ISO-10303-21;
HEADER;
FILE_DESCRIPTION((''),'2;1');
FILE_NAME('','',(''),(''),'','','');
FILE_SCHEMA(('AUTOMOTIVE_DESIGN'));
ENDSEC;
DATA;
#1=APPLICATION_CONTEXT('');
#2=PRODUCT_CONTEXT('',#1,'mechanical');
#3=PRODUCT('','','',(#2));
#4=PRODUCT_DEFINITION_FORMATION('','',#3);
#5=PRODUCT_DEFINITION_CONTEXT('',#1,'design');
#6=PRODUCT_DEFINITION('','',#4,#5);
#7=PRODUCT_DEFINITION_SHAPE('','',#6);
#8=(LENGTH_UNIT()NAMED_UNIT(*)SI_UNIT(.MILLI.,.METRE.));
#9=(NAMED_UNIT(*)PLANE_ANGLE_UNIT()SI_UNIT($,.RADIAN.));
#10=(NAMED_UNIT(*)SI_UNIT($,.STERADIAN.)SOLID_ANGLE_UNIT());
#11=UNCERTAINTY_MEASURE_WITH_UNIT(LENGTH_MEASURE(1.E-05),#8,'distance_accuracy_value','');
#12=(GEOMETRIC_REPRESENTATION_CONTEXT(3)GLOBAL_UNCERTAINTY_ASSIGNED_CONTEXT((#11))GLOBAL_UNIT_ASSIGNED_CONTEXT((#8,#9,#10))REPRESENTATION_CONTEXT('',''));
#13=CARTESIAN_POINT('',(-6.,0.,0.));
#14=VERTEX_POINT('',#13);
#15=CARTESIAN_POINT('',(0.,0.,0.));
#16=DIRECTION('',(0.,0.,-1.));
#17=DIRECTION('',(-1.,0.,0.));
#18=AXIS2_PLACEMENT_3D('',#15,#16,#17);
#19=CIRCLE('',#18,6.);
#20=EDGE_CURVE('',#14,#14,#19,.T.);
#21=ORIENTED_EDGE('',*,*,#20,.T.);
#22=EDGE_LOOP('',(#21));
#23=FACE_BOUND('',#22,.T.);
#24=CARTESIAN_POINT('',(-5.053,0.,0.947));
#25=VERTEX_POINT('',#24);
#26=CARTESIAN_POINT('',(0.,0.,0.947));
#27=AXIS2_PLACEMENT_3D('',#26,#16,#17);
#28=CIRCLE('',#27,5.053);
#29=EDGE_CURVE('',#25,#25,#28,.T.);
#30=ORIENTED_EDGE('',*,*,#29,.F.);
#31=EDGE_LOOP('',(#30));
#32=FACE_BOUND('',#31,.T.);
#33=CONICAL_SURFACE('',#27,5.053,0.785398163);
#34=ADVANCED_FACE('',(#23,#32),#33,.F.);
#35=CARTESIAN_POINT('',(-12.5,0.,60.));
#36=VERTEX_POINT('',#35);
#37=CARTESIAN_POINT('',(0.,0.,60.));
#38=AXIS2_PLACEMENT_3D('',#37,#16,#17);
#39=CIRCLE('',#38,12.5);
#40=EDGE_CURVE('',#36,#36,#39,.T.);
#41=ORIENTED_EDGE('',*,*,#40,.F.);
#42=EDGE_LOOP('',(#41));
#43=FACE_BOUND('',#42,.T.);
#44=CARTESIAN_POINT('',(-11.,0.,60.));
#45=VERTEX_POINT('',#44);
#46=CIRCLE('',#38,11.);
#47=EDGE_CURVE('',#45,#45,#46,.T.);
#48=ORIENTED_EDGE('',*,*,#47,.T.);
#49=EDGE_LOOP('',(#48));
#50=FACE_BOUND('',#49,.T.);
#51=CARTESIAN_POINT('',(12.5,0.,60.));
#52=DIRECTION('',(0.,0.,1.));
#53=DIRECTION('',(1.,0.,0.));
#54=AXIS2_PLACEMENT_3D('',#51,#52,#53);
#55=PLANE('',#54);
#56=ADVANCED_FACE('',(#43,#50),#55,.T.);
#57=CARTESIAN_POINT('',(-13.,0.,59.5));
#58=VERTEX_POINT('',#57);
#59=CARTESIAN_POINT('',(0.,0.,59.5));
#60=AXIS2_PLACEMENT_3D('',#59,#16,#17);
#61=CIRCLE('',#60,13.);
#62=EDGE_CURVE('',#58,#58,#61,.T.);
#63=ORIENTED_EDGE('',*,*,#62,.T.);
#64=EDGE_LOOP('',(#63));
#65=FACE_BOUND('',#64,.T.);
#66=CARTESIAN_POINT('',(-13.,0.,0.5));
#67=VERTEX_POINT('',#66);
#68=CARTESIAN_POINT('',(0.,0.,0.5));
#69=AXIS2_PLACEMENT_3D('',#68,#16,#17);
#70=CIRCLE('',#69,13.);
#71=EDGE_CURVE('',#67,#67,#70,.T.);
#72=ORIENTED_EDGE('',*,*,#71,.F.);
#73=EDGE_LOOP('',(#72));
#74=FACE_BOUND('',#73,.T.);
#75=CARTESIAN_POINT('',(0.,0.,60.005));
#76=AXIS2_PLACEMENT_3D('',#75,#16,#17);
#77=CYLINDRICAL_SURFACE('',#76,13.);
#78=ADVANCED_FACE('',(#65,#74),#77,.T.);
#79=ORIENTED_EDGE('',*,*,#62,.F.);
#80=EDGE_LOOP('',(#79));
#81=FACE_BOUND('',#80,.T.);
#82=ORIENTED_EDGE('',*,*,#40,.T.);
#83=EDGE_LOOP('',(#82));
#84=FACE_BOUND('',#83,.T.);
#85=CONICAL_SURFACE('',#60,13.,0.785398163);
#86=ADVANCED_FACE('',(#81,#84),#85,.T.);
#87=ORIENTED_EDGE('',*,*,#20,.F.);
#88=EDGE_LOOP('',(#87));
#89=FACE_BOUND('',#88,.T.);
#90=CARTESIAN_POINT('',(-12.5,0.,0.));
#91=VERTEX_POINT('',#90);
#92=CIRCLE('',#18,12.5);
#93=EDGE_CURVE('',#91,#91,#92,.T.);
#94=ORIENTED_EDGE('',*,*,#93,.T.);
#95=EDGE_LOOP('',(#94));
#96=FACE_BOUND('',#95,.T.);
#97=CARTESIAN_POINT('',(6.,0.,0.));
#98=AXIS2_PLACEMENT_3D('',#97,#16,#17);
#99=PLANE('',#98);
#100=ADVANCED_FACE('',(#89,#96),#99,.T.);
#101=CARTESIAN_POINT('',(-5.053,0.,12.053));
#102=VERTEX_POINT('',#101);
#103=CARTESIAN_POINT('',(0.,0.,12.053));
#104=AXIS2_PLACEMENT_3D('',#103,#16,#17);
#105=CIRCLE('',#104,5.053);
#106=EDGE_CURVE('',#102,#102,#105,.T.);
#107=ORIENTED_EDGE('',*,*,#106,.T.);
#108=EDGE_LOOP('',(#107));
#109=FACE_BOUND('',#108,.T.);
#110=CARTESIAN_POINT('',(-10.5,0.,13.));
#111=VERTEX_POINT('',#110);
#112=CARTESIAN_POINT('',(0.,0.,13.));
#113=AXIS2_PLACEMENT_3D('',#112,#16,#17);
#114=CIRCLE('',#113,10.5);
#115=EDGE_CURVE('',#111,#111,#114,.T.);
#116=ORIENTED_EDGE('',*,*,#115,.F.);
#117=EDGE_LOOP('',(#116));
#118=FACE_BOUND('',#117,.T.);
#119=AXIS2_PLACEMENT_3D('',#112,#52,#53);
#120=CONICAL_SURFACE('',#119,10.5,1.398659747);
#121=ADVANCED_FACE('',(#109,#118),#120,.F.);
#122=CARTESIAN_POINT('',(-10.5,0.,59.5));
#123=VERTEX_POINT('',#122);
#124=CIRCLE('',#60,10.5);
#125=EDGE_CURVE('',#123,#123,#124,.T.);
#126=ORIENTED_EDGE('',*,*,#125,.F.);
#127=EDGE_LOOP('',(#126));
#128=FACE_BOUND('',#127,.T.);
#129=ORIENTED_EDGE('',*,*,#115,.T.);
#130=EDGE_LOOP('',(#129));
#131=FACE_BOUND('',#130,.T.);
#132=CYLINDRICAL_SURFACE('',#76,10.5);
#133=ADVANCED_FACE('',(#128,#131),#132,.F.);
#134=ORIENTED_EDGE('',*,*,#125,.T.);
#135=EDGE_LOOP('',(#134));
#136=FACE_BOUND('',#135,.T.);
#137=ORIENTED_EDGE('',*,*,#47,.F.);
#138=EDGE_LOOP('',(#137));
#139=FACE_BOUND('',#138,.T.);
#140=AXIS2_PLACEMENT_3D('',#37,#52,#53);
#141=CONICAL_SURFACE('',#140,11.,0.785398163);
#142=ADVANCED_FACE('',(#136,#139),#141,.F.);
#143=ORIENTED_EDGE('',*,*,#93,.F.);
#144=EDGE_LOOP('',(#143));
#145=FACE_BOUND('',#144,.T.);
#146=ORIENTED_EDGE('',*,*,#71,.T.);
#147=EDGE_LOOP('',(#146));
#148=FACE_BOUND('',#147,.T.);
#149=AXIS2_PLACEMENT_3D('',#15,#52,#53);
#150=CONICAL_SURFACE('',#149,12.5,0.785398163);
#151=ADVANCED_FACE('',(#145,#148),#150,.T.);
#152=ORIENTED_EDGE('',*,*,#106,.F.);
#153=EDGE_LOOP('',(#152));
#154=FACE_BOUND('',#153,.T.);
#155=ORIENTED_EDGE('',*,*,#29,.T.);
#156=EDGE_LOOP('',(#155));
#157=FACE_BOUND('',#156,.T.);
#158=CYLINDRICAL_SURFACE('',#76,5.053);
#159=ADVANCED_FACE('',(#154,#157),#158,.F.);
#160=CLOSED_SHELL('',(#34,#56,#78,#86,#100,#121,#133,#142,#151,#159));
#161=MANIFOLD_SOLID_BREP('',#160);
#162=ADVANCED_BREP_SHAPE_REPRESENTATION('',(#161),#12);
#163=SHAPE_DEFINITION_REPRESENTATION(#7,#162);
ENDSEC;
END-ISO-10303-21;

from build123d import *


with BuildPart() as part:
    # Эскиз1 → Повернуть1 (revolve)
    with BuildSketch(Plane.XZ, mode=Mode.PRIVATE) as revolve_1_sk:
        Polygon((5.053, 0.947), (6, 0), (12.5, 0), (13, 0.5), (13, 59.5), (12.5, 60), (11, 60), (10.5, 59.5), (10.5, 13), (5.053, 12.053), align=None)
    revolve(revolve_1_sk.sketch.rotate(Axis((0, 0, 60.005), (0, 0, -1)), 180), axis=Axis((0, 0, 60.005), (0, 0, -1)))


solid = part.part
